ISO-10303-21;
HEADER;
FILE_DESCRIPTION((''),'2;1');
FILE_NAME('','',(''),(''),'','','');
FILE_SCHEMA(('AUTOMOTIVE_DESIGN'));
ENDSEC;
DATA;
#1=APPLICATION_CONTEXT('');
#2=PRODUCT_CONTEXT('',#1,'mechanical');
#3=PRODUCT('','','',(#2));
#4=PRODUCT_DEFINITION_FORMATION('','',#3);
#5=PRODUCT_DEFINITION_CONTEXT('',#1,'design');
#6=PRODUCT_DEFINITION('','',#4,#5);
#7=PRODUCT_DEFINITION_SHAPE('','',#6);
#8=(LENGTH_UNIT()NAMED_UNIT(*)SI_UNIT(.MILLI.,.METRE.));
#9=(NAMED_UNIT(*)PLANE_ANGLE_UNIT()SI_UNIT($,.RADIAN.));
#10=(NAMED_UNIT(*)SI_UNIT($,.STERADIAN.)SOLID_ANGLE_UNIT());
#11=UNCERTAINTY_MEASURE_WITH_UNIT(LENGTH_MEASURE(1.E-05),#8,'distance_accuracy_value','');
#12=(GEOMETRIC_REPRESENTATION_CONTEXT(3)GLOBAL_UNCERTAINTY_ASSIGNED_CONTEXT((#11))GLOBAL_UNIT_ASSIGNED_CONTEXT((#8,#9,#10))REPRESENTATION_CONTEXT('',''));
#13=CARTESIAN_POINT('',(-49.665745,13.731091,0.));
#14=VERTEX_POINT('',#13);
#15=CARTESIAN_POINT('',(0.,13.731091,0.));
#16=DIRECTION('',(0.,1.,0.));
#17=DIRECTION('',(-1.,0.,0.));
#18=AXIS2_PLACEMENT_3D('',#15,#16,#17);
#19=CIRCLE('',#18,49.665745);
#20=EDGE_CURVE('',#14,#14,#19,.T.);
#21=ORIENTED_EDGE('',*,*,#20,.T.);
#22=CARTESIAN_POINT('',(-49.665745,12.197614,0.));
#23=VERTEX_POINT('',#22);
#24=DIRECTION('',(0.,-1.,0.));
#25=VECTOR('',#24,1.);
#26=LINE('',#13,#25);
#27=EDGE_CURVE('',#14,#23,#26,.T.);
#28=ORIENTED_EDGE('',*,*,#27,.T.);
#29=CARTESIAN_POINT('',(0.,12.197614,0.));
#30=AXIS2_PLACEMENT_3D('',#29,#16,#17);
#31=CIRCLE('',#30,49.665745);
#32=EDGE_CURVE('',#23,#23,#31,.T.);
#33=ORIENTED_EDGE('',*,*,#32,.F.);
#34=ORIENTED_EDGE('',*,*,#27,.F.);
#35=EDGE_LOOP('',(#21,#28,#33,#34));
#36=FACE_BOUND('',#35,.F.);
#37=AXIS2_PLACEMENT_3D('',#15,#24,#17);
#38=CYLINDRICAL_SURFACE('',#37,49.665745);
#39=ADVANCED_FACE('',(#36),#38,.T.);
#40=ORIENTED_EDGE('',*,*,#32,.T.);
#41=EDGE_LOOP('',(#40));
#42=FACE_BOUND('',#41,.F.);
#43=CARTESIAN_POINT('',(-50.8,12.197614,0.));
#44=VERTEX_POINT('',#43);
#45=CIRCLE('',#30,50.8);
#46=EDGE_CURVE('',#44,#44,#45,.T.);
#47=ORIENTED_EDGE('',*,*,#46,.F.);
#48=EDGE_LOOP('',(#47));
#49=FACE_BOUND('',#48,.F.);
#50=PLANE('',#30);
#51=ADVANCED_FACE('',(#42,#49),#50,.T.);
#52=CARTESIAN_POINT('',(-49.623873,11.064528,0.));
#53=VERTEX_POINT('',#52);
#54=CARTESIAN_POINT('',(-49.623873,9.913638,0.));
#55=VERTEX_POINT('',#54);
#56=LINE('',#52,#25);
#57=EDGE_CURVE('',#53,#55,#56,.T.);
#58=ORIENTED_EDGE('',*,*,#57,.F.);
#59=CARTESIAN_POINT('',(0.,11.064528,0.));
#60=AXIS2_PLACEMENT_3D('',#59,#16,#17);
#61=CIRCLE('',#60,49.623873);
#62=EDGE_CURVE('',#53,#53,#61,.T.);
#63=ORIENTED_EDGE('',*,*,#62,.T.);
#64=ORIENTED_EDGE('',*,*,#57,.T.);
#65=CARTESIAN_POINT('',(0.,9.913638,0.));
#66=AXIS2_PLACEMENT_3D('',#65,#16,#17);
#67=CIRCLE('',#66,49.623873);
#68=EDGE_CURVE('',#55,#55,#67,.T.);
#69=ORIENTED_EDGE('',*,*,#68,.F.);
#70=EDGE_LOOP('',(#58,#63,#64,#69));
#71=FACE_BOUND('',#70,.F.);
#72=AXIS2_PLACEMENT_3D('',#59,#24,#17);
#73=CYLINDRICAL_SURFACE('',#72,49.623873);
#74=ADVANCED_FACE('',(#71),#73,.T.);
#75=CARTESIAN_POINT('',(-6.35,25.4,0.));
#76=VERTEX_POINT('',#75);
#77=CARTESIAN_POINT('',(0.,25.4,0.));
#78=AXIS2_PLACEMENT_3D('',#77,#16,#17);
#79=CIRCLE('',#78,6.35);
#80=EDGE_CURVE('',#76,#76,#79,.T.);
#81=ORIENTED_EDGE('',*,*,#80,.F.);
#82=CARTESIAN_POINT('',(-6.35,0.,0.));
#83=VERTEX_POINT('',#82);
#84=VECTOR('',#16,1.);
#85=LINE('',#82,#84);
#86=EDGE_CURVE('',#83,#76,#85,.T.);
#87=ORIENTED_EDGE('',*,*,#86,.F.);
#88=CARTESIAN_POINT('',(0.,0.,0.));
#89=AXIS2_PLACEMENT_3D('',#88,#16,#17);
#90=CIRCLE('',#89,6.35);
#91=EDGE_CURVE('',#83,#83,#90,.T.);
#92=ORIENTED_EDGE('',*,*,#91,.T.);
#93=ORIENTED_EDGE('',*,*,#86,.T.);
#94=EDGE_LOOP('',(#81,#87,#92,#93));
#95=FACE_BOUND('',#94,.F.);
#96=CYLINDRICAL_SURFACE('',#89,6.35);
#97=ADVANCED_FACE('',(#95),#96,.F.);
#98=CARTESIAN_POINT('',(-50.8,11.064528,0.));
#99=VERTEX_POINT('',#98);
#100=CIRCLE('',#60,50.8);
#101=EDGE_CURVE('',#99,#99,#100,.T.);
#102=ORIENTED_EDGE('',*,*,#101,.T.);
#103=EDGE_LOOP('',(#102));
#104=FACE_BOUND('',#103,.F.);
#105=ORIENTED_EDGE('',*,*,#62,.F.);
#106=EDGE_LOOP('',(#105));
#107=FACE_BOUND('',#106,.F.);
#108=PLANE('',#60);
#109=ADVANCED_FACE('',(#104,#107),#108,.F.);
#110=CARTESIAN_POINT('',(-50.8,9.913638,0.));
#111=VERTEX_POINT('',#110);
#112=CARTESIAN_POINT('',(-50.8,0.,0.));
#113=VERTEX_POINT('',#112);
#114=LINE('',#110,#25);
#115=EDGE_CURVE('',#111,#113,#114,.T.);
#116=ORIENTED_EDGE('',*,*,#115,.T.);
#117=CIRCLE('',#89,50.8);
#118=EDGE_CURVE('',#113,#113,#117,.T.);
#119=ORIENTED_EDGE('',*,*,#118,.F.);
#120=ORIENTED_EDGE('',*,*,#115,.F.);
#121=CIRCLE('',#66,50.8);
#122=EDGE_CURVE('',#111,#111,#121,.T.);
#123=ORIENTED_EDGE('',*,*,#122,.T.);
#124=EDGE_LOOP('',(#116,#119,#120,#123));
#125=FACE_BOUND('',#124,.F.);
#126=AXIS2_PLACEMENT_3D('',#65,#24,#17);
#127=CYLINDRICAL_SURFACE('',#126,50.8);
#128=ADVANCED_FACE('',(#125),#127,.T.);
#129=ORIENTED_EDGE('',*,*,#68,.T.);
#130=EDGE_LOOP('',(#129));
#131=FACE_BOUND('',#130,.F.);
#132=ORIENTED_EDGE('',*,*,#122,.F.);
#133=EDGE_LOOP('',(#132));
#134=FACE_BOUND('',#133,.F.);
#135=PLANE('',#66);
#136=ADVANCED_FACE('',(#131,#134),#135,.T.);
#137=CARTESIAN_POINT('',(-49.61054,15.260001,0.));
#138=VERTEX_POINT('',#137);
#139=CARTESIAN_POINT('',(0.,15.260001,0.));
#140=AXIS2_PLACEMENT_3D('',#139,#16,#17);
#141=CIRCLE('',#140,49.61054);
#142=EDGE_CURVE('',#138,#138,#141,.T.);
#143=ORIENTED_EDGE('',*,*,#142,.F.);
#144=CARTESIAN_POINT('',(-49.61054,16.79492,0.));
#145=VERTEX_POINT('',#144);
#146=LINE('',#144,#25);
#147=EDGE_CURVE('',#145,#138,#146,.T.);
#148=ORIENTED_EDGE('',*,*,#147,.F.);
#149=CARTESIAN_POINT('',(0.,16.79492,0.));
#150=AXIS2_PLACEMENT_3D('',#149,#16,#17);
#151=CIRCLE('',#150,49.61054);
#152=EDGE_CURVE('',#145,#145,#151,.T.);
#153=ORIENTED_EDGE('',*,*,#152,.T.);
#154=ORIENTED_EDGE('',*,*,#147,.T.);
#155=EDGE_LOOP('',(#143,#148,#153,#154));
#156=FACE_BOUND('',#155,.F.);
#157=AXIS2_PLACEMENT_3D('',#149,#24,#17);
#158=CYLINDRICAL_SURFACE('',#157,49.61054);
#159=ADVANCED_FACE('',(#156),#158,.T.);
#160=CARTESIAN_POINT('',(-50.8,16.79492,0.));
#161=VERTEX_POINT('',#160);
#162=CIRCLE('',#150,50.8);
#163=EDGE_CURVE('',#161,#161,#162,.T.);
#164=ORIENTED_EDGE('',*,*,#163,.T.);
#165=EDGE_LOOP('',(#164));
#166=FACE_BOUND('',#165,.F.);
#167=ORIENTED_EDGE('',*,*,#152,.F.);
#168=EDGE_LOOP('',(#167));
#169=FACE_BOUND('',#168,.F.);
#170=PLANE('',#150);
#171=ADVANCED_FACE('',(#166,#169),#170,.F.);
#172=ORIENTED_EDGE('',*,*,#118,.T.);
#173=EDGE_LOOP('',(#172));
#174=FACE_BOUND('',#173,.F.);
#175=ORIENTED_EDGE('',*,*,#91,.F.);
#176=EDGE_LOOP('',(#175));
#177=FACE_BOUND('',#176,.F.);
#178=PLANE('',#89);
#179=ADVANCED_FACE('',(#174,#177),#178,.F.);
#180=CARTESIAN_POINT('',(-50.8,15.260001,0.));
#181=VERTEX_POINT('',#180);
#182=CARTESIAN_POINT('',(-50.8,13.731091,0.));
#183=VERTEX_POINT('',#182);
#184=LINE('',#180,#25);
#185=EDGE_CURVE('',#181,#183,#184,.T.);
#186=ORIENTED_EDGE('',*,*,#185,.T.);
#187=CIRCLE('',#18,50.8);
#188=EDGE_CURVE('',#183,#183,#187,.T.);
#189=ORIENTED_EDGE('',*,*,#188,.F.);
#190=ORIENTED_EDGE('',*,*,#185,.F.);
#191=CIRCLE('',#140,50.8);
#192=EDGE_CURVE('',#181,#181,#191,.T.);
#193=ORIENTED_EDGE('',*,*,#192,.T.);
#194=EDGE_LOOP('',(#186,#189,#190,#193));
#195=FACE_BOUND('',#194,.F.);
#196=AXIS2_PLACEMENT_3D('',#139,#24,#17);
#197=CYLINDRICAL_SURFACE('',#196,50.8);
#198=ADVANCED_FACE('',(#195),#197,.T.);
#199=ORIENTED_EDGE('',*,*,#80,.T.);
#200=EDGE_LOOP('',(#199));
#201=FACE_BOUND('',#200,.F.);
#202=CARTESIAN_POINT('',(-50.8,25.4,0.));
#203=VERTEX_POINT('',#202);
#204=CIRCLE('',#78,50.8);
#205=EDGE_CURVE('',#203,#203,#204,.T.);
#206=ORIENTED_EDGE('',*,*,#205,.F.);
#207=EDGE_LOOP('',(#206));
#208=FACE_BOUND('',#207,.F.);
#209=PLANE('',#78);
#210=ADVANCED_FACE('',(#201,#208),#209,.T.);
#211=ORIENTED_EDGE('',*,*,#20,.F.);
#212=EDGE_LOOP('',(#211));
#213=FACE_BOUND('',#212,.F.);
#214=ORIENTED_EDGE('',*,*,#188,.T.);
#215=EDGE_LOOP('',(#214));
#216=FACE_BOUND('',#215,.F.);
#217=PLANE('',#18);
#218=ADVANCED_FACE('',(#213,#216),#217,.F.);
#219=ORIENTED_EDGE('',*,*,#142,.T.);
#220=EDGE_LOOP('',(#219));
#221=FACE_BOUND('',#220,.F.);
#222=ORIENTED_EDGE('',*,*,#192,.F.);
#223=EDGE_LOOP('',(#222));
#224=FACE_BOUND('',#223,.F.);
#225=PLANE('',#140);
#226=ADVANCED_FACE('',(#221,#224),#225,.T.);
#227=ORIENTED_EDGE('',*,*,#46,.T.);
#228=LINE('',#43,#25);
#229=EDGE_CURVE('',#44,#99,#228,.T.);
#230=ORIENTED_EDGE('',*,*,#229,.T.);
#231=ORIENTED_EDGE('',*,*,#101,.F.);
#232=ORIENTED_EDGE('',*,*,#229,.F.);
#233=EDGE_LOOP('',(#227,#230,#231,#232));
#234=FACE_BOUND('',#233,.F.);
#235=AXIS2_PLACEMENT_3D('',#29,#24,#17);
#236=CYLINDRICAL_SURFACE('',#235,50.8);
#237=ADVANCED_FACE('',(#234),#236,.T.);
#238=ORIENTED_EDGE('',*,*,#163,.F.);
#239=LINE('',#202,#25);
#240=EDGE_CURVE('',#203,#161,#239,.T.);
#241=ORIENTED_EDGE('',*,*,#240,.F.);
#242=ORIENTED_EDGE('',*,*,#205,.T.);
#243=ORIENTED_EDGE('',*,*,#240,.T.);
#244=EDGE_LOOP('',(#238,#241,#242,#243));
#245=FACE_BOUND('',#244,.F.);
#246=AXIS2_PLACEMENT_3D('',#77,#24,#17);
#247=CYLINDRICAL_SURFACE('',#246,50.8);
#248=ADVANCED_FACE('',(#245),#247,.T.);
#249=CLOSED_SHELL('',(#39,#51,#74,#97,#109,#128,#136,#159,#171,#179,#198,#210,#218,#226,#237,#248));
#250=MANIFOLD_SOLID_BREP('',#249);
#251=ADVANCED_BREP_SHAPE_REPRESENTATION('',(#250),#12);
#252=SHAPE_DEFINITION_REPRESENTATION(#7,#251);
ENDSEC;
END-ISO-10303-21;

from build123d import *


with BuildPart() as f1:
    # F0 (on Top) → F1 (revolve)
    with BuildSketch(Plane.XY):
        Polygon((-50.8, 0), (-6.35, 0), (-6.35, 25.4), (-50.8, 25.4), (-50.8, 16.79492), (-49.61054, 16.79492), (-49.61054, 15.260001), (-50.8, 15.260001), (-50.8, 13.731091), (-49.665745, 13.731091), (-49.665745, 12.197614), (-50.8, 12.197614), (-50.8, 11.064528), (-49.623873, 11.064528), (-49.623873, 9.913638), (-50.8, 9.913638), align=None)
    revolve(axis=Axis((0, 12.7, 0), (0, 1, 0)))


solid = f1.part
